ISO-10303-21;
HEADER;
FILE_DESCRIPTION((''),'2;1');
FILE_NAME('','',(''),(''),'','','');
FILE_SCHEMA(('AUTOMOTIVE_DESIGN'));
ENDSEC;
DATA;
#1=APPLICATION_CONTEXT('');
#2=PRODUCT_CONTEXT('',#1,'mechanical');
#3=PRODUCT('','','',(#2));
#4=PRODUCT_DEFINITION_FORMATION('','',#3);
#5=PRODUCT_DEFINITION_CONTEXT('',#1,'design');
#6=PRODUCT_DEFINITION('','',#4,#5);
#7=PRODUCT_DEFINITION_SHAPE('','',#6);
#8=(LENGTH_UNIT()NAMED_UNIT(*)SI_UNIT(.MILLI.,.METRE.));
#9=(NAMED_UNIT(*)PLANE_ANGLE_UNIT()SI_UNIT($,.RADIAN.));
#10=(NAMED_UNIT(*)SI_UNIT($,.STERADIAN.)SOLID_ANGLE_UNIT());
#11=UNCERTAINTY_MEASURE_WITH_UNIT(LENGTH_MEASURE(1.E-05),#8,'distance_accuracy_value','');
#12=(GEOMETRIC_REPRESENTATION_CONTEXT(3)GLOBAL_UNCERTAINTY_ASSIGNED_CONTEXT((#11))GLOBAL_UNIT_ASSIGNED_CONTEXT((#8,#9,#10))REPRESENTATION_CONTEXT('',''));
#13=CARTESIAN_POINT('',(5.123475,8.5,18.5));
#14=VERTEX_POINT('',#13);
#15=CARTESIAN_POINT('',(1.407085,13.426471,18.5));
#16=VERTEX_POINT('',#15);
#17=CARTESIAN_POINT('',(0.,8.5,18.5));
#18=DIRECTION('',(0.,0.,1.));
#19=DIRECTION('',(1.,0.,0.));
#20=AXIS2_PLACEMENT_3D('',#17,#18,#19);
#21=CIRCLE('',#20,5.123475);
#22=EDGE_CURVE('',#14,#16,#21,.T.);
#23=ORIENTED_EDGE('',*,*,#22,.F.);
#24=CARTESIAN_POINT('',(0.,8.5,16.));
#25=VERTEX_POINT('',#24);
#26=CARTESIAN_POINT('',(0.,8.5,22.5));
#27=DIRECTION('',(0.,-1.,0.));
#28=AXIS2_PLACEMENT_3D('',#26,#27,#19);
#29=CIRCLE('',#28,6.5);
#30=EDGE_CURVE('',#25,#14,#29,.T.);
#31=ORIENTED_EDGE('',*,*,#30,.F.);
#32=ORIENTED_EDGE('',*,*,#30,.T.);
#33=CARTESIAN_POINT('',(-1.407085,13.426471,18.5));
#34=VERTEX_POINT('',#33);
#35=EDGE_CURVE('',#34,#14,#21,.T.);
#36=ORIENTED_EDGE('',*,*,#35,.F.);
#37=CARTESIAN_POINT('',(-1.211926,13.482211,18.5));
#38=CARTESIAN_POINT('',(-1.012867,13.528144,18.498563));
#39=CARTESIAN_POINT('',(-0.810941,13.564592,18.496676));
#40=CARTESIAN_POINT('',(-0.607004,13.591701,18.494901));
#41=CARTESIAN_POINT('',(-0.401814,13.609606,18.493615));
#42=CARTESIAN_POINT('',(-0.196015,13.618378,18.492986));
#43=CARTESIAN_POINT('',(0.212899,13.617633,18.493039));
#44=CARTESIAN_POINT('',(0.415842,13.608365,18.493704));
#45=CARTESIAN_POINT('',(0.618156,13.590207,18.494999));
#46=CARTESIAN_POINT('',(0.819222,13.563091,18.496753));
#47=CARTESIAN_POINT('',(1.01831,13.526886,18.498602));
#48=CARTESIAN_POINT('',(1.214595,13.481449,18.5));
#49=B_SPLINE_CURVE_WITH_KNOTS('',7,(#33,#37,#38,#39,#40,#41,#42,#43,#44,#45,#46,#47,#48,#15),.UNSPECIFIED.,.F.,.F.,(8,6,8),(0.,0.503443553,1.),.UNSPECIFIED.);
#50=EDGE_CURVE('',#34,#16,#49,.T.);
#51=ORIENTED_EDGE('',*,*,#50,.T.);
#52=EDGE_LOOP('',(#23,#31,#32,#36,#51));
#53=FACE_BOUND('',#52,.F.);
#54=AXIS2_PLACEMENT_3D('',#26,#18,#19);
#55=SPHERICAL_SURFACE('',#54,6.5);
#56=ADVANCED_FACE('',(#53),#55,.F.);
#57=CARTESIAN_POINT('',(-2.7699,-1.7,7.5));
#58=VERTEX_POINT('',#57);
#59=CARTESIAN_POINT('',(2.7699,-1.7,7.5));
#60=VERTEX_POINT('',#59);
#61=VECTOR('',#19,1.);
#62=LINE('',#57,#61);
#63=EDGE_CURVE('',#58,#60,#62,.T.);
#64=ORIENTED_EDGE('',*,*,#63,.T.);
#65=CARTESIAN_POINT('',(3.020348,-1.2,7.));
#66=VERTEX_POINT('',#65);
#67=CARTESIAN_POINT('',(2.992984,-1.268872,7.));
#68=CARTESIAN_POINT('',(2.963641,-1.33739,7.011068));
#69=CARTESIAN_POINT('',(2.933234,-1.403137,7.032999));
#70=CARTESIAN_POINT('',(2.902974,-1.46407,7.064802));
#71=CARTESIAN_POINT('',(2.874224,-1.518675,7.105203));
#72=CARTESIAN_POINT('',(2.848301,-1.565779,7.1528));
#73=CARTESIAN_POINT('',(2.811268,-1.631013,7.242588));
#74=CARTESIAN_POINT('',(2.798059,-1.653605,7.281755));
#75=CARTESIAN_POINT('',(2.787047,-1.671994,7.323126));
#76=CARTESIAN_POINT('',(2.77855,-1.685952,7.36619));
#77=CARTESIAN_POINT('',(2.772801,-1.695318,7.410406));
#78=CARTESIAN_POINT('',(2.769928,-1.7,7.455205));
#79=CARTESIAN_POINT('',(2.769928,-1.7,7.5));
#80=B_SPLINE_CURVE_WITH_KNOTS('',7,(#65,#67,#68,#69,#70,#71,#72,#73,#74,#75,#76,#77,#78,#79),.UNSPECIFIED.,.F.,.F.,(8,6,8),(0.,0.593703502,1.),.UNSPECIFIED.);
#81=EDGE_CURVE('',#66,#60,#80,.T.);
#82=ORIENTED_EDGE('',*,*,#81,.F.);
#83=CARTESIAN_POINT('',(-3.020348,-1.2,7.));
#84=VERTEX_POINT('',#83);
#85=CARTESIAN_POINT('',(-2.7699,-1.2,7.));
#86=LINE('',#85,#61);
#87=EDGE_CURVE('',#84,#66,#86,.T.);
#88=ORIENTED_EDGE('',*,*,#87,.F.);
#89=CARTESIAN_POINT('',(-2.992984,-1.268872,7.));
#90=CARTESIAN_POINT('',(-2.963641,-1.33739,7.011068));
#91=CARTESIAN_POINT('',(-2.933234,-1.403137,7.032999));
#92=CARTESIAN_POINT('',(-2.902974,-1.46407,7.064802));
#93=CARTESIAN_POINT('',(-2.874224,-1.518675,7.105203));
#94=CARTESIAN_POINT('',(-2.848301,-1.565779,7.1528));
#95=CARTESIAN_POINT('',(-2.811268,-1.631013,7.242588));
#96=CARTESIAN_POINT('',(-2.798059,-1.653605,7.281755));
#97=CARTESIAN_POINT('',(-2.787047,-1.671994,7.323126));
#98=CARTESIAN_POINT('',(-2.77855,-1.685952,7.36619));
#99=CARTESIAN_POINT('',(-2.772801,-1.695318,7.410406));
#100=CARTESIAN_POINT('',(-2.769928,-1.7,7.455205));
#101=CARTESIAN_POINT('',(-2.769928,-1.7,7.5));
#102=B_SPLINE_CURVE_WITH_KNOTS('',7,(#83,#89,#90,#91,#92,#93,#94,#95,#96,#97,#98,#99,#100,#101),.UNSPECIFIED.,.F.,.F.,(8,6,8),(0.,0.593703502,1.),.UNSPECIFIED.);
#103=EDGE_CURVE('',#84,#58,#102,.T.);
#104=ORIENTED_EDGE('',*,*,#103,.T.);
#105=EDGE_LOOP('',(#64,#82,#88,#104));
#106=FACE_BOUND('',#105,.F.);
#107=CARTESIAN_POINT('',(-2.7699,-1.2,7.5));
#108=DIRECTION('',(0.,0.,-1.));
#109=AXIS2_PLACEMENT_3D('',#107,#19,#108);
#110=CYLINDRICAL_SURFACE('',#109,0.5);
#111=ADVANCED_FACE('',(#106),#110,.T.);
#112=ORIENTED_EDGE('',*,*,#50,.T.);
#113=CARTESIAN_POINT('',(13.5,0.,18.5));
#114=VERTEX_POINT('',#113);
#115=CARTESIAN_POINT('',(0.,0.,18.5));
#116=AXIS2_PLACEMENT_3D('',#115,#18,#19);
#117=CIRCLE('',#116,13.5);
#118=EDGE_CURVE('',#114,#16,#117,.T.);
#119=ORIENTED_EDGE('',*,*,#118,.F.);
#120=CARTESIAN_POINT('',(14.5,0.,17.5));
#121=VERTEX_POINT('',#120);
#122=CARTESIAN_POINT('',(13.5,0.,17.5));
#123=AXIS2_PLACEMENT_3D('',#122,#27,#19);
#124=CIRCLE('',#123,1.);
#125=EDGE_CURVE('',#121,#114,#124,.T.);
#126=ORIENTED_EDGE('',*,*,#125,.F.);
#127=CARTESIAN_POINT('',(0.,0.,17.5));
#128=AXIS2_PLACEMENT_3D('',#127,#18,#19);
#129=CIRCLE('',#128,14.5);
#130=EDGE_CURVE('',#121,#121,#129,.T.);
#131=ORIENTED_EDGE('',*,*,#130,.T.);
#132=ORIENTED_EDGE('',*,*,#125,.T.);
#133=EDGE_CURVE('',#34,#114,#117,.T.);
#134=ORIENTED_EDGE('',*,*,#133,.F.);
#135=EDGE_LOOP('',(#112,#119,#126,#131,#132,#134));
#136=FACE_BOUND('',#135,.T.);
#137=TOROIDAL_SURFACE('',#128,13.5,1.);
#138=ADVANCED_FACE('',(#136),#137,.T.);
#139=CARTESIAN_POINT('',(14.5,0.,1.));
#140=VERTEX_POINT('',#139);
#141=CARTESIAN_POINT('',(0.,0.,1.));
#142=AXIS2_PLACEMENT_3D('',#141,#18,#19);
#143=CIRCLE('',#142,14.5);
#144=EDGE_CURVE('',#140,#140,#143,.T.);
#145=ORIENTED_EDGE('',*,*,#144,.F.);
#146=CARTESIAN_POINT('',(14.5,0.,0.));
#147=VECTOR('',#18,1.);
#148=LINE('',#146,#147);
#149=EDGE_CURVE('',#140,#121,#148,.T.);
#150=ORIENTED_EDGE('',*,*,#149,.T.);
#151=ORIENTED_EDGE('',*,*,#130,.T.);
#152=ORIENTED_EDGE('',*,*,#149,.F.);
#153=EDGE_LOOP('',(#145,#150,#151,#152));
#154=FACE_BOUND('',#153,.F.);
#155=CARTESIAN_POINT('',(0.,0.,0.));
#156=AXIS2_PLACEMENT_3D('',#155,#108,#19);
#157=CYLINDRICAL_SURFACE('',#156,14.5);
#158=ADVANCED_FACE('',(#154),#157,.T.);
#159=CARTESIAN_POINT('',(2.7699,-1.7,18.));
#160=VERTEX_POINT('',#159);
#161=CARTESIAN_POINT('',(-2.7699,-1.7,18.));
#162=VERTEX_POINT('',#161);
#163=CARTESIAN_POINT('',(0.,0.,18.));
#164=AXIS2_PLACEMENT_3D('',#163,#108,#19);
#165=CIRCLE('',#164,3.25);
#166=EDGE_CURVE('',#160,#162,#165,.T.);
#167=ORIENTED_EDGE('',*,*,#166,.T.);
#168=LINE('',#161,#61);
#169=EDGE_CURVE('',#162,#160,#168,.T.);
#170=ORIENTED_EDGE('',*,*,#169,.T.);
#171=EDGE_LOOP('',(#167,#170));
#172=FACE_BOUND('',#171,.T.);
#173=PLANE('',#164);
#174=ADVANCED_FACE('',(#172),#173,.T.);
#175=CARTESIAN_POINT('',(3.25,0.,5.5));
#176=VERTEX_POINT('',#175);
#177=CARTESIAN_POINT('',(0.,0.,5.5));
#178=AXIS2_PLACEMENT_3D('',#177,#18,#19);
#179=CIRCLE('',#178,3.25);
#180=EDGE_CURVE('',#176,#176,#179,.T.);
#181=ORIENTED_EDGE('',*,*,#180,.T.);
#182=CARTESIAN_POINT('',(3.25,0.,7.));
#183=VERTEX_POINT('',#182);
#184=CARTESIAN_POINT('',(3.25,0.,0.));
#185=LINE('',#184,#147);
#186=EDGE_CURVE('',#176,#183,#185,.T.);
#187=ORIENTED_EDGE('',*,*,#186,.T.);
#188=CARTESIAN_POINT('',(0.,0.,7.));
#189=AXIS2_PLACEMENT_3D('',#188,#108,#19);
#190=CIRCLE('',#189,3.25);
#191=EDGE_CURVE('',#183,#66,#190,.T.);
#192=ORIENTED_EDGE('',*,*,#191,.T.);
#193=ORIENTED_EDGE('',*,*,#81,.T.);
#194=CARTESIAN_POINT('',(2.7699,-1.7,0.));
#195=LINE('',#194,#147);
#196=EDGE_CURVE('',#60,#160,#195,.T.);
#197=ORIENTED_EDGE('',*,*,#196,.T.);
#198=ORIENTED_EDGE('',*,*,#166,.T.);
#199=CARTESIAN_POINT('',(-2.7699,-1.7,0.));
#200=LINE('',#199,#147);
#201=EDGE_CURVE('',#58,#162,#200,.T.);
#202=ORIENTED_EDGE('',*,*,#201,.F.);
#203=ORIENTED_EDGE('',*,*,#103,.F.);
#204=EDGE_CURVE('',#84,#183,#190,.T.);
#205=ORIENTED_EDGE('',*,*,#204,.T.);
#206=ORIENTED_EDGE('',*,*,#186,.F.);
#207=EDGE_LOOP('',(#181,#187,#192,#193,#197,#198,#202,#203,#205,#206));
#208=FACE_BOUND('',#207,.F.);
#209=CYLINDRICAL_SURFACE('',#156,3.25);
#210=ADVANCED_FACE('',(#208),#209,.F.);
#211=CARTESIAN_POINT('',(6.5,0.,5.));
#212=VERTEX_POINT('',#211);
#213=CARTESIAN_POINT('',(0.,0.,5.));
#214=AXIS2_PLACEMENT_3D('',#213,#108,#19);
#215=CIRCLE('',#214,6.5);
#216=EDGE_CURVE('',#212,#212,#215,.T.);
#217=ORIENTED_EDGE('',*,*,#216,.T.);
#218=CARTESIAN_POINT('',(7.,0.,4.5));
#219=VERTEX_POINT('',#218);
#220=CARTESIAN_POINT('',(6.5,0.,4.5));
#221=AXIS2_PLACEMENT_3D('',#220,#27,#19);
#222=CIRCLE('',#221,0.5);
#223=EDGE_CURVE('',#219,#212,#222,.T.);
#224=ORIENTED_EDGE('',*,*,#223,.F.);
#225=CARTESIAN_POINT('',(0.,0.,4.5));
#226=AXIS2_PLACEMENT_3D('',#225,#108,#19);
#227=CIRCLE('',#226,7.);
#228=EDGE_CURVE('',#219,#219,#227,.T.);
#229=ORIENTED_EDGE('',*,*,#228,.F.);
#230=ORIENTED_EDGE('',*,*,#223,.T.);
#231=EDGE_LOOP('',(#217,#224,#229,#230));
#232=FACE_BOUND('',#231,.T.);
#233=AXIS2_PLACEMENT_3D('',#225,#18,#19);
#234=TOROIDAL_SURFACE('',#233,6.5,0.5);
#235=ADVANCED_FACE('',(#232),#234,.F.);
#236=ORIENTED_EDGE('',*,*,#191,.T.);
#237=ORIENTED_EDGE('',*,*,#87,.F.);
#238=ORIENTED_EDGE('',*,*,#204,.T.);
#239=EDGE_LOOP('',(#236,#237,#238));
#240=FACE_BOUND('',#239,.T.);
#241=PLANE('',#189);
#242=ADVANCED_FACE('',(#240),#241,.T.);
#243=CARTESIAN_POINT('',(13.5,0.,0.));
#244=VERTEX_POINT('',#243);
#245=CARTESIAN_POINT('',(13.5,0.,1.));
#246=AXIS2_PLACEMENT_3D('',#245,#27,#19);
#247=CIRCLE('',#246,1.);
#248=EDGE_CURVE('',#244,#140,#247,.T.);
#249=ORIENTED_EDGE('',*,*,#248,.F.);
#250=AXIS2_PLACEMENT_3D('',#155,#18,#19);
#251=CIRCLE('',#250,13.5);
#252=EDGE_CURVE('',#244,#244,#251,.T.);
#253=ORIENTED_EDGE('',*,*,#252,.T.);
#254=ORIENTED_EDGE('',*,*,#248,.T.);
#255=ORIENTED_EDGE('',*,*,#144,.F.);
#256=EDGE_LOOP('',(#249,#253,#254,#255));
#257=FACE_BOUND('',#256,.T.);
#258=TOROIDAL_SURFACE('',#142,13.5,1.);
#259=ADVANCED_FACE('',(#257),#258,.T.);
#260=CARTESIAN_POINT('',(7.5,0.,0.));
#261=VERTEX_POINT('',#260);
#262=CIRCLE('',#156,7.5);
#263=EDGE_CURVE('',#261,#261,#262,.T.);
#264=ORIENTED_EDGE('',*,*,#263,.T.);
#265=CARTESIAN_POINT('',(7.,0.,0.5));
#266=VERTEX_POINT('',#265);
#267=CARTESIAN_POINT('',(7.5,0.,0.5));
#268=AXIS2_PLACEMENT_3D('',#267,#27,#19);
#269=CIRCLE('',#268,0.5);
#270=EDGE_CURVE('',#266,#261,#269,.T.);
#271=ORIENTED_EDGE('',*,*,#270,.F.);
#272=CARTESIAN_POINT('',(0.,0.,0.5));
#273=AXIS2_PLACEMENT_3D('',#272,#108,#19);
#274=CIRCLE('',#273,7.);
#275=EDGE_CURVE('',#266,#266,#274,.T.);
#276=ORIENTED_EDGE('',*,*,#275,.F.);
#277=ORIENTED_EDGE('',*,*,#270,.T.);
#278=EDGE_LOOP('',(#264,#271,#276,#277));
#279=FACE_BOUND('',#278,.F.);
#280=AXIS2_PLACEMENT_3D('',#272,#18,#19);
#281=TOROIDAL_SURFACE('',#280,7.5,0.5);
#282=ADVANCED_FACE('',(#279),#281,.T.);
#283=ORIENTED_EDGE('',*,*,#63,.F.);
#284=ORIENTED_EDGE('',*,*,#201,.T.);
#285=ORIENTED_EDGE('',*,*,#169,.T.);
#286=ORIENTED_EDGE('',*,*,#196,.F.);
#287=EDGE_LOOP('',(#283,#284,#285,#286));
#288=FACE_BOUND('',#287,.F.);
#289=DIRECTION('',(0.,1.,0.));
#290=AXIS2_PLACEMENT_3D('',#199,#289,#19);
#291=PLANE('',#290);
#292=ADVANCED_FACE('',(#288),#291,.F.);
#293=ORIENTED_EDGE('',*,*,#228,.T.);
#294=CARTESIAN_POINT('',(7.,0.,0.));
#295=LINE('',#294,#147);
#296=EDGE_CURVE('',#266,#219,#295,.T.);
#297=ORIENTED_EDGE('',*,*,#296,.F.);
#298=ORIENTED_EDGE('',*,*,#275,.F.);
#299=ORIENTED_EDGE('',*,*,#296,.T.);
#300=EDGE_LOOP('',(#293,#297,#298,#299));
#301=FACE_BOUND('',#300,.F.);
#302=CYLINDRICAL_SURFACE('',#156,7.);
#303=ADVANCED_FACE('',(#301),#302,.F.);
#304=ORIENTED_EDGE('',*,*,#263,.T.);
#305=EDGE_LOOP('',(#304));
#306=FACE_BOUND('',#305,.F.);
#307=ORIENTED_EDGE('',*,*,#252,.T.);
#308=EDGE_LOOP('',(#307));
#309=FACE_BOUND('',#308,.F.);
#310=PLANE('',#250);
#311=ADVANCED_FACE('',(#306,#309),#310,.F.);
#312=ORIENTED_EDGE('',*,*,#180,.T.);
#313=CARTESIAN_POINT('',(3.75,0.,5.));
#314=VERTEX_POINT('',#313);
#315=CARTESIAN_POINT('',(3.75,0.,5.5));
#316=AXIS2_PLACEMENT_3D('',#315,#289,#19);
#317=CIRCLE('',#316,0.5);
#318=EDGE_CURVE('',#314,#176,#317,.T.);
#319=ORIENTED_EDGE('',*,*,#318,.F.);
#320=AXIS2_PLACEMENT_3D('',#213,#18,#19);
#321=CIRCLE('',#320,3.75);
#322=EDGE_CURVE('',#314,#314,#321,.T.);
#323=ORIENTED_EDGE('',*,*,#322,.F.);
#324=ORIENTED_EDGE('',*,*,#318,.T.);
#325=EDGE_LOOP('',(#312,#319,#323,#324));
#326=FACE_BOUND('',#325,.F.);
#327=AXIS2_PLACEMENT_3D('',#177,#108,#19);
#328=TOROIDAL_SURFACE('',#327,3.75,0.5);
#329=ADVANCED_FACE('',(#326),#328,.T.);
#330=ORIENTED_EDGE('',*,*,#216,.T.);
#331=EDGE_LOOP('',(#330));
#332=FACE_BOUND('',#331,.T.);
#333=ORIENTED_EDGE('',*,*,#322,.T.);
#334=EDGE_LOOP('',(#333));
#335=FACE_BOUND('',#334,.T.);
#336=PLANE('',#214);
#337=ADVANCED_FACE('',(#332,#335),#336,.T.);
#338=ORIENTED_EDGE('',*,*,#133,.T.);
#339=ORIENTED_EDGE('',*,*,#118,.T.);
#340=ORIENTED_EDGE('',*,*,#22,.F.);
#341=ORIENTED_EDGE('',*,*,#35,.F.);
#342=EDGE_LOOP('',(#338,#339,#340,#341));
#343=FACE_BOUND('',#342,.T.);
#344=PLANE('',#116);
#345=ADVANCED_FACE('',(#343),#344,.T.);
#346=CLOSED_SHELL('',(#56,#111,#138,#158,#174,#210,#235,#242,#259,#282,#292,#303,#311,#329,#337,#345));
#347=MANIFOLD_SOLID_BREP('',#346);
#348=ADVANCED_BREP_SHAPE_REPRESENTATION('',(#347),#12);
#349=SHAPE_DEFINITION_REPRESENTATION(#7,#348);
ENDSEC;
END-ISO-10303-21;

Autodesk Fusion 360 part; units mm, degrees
sketch "Sketch1" plane through (0, 0, 0) normal (0, 0, 1) x (1, 0, 0)
  circle A0 centre (0, 0) radius 14.5
  dimension "d1" = 29
extrude "Extrude1" add sketch "Sketch1" along normal blind 18.5
sketch "Sketch2" plane through (0, 0, 0) normal (0, 0, -1) x (1, 0, 0)
  circle A0 centre (0, 0) radius 14.5
  circle A1 centre (0, 0) radius 7
  circle A2 centre (0, 0) radius 3.25
  line L0 (-2.7699, 1.7) -> (2.7699, 1.7)
  dimension "d4" = 14
  dimension "d5" = 1.7
  dimension "d6" = 6.5
extrude "Extrude2" cut sketch "Sketch2" against normal blind 18 contours A2 L0 picked at (-0.7983, 2.2791)
extrude "Extrude3" cut sketch "Sketch2" against normal blind 7 contours A2 L0 picked at (-0.7022, 0.2404)
extrude "Extrude4" cut sketch "Sketch2" against normal blind 5 contours A1
fillet "Fillet1" radius 0.5 1 edges at (0, -1.7, 7)
fillet "Fillet1" radius 0.5 1 edges at (-3.0301, 1.1753, 5)
fillet "Fillet1" radius 0.5 1 edges at (-6.5263, -2.5313, 5)
fillet "Fillet2" radius 0.5 1 edges at (-6.5263, -2.5313, 0)
fillet "Fillet3" radius 1 2 edges at (-13.5187, -5.2434, 0) (-13.5187, -5.2434, 18.5)
ref_plane "WorkPlane1" through (0, 0, 22.5) normal (0, 0, 1) x (1, 0, 0)
sketch "Sketch4" plane through (0, 0, 22.5) normal (0, 0, 1) x (1, 0, 0)
  line L0 (0, 0) -> (0, 14) construction
  line L1 (-3.75, 8.5) -> (3.75, 8.5) construction
  point P0 (0, 8.5)
  dimension "d24" = 8.5
sphere "SpherePrimitive3" cut diameter 13 placed x (1, 0, 0) y (0, 1, 0) z (0, 0, 1) at (0, 8.5, 22.5)
